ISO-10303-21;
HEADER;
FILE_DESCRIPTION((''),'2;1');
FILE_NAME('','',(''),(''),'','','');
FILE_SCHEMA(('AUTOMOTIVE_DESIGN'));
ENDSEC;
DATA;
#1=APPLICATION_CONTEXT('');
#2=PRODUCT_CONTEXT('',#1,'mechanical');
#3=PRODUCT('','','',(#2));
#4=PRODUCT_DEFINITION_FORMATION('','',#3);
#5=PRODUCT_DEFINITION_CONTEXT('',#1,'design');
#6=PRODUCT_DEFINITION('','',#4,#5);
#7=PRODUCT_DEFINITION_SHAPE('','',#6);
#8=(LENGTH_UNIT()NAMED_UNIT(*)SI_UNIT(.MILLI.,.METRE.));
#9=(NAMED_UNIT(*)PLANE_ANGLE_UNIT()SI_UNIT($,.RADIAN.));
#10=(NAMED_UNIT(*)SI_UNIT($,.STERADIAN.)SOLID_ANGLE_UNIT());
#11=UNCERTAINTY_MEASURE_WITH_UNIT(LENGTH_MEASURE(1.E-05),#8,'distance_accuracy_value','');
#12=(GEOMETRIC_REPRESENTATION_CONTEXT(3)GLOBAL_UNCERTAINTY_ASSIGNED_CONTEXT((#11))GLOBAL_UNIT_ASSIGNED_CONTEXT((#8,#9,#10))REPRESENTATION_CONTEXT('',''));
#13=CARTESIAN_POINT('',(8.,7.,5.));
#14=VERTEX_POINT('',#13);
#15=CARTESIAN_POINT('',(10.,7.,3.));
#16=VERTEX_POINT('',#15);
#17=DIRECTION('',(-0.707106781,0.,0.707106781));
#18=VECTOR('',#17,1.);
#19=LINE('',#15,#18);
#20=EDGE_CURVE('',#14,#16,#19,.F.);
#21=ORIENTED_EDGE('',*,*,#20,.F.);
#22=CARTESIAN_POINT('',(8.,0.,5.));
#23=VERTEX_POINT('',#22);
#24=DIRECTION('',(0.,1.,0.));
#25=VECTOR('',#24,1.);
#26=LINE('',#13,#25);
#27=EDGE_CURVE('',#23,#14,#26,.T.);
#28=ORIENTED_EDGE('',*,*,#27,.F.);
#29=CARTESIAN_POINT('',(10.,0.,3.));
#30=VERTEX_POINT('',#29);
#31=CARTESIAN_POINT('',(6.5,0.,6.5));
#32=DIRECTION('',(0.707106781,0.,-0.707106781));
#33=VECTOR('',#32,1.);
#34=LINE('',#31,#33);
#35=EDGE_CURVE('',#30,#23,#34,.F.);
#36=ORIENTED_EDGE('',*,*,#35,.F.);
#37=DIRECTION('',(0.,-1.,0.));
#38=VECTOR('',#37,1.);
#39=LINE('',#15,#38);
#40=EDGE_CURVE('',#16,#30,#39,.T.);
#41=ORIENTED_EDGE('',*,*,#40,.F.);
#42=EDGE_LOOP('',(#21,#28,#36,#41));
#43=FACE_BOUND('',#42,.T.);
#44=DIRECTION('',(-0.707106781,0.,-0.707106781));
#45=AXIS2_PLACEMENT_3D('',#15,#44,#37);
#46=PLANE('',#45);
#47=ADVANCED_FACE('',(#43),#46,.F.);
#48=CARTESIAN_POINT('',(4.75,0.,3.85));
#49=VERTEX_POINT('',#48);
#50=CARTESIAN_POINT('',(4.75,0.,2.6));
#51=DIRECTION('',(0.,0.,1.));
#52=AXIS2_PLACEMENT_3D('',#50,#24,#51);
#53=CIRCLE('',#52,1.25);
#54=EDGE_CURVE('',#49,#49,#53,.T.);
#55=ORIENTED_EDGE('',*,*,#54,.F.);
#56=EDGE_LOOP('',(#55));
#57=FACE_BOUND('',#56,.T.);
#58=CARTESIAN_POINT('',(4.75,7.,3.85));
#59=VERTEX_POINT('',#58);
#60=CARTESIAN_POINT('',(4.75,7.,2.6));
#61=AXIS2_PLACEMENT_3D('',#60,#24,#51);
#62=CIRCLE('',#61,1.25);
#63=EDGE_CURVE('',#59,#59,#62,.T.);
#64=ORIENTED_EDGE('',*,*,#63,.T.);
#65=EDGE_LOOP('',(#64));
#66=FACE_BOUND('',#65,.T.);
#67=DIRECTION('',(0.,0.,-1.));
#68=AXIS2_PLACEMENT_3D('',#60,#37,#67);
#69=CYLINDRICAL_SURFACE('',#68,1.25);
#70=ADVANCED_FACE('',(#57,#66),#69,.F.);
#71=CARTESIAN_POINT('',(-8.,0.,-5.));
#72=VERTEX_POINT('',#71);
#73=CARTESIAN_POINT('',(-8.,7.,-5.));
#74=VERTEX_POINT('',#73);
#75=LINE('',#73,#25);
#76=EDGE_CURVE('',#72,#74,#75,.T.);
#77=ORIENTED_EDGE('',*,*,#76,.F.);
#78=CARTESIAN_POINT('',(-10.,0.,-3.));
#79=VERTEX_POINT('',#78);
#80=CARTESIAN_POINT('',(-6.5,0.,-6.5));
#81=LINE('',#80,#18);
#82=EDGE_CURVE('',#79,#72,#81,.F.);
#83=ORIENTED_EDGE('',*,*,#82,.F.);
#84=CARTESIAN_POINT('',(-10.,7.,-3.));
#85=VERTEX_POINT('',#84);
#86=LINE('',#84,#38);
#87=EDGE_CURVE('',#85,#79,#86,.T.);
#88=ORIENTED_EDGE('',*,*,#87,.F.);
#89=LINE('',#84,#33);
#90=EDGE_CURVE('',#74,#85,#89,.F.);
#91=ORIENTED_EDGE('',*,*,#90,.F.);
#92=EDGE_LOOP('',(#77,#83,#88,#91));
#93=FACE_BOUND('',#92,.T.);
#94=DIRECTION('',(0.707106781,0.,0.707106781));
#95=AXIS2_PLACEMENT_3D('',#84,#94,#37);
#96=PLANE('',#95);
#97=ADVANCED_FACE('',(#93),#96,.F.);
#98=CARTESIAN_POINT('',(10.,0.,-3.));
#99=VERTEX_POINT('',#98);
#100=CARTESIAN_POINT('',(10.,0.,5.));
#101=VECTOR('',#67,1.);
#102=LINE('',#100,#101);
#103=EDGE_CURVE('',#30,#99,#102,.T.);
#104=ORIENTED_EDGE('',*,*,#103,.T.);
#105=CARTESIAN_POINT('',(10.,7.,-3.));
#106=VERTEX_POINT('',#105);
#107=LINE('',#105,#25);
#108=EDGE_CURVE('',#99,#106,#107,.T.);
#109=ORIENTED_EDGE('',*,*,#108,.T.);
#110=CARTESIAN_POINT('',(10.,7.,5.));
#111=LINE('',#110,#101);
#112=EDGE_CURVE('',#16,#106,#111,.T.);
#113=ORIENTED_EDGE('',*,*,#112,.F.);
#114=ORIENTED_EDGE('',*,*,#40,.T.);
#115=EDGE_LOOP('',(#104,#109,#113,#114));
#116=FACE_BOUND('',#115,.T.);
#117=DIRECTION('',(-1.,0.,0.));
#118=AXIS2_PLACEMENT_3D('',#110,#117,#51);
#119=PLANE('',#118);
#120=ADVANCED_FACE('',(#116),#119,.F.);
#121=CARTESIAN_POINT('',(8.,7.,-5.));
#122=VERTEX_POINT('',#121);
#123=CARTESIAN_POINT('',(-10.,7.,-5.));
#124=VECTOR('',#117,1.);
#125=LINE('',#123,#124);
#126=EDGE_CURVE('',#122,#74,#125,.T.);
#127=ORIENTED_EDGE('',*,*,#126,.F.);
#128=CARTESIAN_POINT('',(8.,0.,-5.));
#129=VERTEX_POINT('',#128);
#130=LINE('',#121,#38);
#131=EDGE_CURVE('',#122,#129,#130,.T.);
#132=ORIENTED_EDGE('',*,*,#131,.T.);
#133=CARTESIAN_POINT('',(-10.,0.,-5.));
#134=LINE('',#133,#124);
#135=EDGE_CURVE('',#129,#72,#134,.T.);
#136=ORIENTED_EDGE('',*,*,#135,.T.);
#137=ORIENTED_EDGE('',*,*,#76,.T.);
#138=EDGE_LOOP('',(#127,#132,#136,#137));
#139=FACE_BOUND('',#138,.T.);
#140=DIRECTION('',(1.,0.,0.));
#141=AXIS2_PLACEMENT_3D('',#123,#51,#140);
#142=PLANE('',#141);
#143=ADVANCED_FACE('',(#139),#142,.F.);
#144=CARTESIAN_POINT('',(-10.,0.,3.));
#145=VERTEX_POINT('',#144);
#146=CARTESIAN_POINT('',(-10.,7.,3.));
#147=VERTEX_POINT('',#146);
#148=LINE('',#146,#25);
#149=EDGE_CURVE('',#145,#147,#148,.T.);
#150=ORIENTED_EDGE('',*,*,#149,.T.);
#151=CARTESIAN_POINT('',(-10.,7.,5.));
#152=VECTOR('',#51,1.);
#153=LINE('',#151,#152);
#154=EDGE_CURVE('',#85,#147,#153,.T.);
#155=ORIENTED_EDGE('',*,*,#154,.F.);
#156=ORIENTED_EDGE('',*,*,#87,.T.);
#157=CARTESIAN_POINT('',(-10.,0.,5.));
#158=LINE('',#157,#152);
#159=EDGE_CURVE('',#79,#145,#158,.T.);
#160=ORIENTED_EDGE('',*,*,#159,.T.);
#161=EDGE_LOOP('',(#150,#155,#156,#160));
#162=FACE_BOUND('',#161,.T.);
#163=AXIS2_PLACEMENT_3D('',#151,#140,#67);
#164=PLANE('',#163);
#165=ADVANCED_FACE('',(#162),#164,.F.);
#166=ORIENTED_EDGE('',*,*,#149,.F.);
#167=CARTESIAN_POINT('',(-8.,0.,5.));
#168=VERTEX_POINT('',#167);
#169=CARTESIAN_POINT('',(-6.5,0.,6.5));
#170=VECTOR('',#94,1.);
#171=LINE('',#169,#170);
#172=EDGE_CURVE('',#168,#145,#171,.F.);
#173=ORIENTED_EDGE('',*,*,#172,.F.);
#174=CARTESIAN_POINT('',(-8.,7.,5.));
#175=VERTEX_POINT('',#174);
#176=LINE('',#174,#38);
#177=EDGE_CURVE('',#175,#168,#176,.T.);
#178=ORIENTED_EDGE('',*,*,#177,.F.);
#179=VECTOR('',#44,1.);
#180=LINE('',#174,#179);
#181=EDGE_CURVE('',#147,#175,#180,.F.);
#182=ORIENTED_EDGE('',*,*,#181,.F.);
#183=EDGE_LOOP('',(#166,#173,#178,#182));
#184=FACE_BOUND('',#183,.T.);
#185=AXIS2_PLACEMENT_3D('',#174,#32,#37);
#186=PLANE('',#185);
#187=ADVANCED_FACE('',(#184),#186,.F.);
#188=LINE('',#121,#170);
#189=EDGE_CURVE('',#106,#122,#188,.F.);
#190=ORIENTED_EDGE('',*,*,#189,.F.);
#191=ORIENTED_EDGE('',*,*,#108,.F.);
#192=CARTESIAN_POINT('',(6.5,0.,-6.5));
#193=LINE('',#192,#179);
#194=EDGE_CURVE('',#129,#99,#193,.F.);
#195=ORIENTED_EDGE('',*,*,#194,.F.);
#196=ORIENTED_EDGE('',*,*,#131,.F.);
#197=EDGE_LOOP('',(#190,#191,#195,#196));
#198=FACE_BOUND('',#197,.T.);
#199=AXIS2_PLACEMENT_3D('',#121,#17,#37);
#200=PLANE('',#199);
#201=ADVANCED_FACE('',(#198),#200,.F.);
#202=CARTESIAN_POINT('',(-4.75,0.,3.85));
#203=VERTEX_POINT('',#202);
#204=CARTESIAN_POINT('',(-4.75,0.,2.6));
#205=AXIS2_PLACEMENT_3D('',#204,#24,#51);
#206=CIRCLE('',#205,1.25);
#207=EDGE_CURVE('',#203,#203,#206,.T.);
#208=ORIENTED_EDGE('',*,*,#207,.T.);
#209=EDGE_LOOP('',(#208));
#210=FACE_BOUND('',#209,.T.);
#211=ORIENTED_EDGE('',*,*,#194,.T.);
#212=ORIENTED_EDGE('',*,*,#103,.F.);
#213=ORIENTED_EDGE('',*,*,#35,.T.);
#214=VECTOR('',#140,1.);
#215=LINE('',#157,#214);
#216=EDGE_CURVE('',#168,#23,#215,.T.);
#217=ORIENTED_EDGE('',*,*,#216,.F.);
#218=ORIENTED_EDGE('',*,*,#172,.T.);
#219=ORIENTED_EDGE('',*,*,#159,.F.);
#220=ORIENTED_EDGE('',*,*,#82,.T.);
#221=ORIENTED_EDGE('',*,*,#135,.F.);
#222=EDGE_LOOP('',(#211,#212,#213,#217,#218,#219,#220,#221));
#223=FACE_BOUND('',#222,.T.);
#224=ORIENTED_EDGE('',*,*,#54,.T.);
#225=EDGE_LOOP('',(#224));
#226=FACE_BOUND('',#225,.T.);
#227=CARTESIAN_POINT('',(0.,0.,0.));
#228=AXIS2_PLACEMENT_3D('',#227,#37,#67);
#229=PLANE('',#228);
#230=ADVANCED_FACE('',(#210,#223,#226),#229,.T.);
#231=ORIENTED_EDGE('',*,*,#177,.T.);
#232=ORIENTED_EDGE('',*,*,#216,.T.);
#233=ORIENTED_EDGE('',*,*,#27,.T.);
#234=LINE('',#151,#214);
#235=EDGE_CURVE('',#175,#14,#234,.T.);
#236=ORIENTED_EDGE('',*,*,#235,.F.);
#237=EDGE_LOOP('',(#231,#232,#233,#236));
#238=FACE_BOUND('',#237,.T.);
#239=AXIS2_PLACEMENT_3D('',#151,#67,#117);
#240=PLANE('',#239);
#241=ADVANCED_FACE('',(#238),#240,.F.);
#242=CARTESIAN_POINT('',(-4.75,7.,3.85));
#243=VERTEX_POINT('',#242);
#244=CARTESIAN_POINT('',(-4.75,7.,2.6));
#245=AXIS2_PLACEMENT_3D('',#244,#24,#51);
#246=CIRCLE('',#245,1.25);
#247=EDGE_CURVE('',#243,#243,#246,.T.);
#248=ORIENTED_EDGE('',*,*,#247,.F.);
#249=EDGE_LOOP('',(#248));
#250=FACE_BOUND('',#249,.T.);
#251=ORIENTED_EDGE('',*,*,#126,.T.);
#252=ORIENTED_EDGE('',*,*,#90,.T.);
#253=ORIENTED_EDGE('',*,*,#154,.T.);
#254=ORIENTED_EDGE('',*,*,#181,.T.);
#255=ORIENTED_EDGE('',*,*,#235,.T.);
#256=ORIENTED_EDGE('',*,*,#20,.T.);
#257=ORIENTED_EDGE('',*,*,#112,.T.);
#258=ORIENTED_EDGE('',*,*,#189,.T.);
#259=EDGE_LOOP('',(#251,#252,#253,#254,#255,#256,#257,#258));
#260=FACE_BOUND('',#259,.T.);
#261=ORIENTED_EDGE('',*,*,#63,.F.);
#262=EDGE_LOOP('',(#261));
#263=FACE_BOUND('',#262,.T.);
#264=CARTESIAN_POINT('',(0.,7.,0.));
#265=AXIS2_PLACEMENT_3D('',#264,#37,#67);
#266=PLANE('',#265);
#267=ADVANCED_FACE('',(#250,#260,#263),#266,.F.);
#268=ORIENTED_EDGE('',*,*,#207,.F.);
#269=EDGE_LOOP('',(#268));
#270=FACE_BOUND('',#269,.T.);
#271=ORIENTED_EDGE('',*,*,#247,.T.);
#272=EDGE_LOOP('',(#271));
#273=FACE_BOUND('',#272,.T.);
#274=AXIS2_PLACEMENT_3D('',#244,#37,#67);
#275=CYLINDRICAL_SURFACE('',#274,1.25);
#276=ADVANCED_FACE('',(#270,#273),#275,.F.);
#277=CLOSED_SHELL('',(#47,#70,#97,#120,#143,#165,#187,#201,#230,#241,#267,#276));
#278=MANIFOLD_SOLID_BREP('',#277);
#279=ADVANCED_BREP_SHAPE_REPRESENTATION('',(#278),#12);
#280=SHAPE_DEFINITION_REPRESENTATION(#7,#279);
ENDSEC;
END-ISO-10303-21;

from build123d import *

# Parameters (mm, degrees)
ESQUISSE1_W        = 20
ESQUISSE1_H        = 10
ESQUISSE1_R        = 1.25
BOSS_EXTRU_1_DEPTH = 7
CHANFREIN1_SIZE    = 2


with BuildPart() as part:
    # Esquisse1 → Boss.-Extru.1 (new body)
    with BuildSketch(Plane(origin=(0, 0, 0), x_dir=(1, 0, 0), z_dir=(0, 1, 0))):
        Rectangle(ESQUISSE1_W, ESQUISSE1_H)
        with Locations(Location((4.75, -2.6, 0), (0, 0, 270))):
            Circle(ESQUISSE1_R, mode=Mode.SUBTRACT)
        with Locations(Location((-4.75, -2.6, 0), (0, 0, 270))):
            Circle(ESQUISSE1_R, mode=Mode.SUBTRACT)
    extrude(amount=BOSS_EXTRU_1_DEPTH)

    # Chanfrein1
    chanfrein1_edges = [part.edges().sort_by_distance(p)[0] for p in [
        (10, 3.5, 5),
        (-10, 3.5, 5),
        (-10, 3.5, -5),
        (10, 3.5, -5),
    ]]
    chamfer(chanfrein1_edges, length=CHANFREIN1_SIZE)


solid = part.part
